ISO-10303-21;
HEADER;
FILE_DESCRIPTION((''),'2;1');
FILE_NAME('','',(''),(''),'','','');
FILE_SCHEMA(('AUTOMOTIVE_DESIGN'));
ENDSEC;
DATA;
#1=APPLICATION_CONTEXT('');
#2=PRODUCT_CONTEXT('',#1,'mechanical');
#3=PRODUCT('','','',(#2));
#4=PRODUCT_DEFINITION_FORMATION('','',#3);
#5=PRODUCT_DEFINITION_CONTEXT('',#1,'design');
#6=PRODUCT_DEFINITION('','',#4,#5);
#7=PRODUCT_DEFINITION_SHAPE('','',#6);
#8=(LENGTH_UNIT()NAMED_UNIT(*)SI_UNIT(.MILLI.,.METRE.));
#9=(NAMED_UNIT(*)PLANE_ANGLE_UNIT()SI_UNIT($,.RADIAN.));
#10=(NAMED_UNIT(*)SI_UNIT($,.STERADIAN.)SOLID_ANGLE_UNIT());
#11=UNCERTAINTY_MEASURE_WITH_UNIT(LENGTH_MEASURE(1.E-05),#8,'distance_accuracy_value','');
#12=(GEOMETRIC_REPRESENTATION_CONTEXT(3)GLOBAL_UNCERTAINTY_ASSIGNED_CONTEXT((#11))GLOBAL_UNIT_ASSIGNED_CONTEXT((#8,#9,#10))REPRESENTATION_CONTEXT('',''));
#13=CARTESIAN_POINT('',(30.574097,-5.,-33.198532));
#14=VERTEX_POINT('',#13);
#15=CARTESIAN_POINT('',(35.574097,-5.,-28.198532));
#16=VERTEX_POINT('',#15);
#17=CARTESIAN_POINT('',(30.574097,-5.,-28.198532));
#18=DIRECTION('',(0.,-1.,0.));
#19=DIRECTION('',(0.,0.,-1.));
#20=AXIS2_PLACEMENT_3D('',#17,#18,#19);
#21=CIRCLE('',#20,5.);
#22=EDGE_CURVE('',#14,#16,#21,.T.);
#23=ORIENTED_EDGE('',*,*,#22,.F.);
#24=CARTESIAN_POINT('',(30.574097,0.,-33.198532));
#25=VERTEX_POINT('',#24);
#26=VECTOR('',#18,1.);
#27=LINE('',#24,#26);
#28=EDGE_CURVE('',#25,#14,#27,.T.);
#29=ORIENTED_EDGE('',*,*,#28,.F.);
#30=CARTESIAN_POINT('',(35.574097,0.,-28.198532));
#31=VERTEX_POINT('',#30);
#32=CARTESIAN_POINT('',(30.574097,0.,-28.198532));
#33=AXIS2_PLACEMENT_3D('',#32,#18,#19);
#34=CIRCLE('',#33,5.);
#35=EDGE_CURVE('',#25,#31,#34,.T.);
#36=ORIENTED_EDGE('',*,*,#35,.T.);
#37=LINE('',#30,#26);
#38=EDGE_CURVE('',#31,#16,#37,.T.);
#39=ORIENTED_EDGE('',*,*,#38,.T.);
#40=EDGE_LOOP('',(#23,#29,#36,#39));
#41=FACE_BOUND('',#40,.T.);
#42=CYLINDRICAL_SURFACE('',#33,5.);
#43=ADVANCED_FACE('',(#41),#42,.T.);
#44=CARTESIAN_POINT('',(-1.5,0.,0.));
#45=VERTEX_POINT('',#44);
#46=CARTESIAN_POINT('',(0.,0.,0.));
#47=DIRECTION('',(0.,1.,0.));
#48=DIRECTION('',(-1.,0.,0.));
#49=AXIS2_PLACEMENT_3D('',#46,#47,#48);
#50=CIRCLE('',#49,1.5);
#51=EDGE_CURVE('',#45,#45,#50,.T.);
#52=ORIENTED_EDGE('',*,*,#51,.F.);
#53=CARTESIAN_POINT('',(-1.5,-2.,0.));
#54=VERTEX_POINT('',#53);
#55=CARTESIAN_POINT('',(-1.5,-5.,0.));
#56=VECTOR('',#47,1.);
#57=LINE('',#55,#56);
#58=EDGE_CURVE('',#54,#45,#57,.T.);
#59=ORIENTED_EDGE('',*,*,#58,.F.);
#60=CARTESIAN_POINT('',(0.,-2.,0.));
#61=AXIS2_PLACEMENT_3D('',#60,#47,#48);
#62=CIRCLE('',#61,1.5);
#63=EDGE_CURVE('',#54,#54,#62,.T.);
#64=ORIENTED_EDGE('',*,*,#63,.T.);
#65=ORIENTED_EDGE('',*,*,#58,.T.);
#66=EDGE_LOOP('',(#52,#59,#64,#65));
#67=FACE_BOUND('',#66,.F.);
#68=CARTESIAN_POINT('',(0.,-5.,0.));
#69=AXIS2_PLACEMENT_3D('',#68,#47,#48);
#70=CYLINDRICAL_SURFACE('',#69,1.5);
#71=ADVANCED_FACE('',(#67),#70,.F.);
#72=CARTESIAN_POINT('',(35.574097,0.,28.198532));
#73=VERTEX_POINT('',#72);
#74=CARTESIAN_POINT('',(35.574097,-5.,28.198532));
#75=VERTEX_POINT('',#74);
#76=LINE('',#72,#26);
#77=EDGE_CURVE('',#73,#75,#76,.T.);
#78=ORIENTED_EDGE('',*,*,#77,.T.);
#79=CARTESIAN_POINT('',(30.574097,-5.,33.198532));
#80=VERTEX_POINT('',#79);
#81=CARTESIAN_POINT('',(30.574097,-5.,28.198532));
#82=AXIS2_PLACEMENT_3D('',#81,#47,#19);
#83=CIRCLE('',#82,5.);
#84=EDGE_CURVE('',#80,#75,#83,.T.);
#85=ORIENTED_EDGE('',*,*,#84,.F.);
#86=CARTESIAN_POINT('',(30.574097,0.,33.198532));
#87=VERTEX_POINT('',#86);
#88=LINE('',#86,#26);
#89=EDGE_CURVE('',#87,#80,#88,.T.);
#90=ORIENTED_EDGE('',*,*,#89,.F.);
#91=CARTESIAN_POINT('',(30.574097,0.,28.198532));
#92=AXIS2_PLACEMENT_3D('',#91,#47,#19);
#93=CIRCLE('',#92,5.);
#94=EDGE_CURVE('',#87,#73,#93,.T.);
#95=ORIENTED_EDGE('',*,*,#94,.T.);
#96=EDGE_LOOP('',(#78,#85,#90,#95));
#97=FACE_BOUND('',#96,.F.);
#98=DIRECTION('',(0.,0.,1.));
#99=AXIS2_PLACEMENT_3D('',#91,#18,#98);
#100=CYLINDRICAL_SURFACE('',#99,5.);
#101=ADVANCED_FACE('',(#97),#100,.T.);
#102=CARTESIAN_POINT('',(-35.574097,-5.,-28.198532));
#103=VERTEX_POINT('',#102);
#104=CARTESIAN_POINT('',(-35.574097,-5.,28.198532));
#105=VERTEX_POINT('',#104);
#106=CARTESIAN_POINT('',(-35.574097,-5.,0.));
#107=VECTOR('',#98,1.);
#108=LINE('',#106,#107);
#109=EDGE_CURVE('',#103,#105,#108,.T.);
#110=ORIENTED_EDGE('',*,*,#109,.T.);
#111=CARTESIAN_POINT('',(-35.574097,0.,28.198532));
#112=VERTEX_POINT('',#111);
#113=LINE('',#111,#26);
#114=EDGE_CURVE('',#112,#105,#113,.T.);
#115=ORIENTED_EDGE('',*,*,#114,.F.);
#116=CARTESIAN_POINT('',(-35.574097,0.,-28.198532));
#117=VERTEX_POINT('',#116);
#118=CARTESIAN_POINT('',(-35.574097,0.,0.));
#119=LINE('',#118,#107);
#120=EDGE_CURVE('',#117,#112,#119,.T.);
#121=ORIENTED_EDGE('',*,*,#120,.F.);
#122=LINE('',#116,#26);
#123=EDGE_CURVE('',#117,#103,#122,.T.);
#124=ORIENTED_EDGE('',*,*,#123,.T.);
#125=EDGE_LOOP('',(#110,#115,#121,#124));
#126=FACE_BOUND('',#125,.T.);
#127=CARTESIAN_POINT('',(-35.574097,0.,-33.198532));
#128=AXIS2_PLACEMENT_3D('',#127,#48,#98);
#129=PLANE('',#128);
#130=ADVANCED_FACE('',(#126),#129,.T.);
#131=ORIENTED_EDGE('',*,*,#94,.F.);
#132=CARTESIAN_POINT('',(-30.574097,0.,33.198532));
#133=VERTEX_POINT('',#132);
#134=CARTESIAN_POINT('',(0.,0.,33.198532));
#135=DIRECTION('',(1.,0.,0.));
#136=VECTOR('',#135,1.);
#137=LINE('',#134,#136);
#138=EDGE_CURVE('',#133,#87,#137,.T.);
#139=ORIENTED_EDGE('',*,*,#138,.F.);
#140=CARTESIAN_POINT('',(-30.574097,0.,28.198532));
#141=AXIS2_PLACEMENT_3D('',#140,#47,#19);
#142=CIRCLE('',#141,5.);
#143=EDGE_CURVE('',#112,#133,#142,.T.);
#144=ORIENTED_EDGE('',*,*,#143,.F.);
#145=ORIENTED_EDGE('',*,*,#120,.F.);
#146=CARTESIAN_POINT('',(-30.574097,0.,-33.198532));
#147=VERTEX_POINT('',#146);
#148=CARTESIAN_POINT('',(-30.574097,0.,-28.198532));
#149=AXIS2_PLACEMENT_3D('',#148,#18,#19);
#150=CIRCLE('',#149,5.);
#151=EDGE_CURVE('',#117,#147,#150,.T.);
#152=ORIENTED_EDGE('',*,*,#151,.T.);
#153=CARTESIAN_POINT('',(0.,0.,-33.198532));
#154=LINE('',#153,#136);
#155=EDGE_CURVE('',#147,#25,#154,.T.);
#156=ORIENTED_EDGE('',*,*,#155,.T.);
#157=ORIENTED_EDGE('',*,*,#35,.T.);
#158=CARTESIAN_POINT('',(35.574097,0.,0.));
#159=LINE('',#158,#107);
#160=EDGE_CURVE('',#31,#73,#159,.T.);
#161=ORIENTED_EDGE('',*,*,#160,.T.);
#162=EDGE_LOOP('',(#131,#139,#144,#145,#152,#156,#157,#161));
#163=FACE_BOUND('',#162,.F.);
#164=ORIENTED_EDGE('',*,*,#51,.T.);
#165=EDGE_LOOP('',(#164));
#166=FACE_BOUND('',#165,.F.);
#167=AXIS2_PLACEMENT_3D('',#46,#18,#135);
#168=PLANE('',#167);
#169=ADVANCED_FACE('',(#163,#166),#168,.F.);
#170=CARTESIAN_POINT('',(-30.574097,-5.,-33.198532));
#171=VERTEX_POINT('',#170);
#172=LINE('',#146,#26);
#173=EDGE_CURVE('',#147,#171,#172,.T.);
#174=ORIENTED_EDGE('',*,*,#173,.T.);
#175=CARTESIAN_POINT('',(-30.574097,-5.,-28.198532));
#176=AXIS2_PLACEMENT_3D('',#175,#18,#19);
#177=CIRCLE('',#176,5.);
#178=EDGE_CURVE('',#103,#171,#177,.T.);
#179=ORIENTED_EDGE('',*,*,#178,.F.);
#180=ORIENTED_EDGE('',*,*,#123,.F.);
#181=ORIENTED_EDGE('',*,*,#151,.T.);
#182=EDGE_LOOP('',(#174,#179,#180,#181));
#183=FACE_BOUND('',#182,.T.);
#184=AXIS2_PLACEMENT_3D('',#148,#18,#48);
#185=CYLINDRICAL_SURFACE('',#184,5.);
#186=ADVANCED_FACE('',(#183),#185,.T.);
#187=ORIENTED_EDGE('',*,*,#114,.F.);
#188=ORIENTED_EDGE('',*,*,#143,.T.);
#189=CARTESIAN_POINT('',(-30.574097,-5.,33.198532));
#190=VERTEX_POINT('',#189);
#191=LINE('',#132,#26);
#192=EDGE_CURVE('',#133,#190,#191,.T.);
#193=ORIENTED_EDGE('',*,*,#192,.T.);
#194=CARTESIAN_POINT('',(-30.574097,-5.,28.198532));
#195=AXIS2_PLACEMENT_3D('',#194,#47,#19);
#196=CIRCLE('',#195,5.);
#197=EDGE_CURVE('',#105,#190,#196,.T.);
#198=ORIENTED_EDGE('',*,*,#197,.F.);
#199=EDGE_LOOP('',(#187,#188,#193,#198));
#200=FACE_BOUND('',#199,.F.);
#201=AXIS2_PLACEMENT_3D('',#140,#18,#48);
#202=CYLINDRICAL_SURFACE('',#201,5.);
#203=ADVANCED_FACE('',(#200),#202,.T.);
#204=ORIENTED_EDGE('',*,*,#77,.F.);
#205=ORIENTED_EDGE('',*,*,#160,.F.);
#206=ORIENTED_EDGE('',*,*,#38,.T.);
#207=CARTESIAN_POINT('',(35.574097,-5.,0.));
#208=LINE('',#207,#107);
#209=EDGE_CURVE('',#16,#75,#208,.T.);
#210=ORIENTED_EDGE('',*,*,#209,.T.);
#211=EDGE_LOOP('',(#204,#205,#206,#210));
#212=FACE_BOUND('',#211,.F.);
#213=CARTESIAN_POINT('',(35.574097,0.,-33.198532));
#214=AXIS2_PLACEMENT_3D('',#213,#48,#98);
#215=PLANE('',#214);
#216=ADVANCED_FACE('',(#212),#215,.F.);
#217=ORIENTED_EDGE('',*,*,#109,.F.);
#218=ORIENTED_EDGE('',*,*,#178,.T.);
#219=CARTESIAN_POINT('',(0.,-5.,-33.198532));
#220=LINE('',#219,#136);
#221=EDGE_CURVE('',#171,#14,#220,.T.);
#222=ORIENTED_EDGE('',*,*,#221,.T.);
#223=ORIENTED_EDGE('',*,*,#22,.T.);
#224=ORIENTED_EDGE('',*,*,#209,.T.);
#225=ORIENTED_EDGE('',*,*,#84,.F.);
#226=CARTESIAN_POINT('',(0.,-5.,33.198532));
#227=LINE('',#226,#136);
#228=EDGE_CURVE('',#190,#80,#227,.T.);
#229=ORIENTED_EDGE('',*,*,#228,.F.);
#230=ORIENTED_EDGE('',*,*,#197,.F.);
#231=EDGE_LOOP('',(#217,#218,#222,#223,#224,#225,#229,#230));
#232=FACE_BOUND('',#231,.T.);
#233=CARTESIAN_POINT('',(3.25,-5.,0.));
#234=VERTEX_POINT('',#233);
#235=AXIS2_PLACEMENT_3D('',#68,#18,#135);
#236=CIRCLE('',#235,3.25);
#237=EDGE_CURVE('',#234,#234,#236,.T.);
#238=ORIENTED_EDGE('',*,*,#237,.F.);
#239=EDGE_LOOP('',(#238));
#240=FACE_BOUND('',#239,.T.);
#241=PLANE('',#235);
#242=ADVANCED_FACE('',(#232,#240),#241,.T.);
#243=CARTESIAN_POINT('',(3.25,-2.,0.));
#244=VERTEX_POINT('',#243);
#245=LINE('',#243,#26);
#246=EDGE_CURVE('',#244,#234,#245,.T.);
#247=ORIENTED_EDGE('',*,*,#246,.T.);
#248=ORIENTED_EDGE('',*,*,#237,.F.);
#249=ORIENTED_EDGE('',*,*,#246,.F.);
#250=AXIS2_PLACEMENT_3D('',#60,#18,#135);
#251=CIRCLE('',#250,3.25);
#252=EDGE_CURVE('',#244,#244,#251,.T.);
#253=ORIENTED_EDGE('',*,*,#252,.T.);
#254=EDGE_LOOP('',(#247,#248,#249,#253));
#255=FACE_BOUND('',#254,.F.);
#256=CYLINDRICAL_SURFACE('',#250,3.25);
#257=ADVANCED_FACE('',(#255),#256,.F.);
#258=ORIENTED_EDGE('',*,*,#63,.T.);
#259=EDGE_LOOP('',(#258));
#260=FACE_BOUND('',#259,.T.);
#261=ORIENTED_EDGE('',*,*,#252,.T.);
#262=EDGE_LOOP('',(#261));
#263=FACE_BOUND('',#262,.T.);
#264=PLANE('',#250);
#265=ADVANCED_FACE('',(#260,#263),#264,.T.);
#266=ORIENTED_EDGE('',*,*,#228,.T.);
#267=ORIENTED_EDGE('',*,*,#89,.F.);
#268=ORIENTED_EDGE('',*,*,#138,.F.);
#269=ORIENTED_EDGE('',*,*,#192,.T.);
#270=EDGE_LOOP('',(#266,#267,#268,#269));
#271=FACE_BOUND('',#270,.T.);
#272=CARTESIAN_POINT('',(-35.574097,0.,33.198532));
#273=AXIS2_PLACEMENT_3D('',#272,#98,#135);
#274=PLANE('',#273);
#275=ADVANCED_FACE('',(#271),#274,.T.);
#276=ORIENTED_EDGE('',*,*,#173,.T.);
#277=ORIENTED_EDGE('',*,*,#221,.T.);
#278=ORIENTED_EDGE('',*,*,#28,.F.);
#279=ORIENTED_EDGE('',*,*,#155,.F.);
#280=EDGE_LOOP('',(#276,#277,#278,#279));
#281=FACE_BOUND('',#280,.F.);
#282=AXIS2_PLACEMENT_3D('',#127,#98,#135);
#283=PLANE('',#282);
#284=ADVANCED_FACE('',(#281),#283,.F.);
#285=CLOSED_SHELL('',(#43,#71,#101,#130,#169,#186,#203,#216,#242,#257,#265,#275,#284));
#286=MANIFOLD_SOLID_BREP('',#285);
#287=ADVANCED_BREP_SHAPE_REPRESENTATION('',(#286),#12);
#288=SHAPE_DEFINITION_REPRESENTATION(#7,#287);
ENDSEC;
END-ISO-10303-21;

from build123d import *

# Parameters (mm, degrees)
F0_W           = 71.148194
F0_H           = 66.397064
F1_DEPTH       = 5
F3_D           = 3
F3_CBORE_D     = 6.5
F3_CBORE_DEPTH = 3
F4_R           = 5


with BuildPart() as f1:
    # F0 (on Front) → F1 (new body)
    with BuildSketch(Plane.XZ):
        Rectangle(F0_W, F0_H)
    extrude(amount=F1_DEPTH)

    # F3 (through all)
    with Locations(Plane.XZ.offset(5)):
        with Locations((0, 0)):
            CounterBoreHole(F3_D / 2, F3_CBORE_D / 2, F3_CBORE_DEPTH)

    # F4
    f4_edges = [f1.edges().sort_by_distance(p)[0] for p in [
        (35.574097, -2.5, 33.198532),
        (-35.574097, -2.5, 33.198532),
        (35.574097, -2.5, -33.198532),
        (-35.574097, -2.5, -33.198532),
    ]]
    fillet(f4_edges, radius=F4_R)


solid = f1.part
